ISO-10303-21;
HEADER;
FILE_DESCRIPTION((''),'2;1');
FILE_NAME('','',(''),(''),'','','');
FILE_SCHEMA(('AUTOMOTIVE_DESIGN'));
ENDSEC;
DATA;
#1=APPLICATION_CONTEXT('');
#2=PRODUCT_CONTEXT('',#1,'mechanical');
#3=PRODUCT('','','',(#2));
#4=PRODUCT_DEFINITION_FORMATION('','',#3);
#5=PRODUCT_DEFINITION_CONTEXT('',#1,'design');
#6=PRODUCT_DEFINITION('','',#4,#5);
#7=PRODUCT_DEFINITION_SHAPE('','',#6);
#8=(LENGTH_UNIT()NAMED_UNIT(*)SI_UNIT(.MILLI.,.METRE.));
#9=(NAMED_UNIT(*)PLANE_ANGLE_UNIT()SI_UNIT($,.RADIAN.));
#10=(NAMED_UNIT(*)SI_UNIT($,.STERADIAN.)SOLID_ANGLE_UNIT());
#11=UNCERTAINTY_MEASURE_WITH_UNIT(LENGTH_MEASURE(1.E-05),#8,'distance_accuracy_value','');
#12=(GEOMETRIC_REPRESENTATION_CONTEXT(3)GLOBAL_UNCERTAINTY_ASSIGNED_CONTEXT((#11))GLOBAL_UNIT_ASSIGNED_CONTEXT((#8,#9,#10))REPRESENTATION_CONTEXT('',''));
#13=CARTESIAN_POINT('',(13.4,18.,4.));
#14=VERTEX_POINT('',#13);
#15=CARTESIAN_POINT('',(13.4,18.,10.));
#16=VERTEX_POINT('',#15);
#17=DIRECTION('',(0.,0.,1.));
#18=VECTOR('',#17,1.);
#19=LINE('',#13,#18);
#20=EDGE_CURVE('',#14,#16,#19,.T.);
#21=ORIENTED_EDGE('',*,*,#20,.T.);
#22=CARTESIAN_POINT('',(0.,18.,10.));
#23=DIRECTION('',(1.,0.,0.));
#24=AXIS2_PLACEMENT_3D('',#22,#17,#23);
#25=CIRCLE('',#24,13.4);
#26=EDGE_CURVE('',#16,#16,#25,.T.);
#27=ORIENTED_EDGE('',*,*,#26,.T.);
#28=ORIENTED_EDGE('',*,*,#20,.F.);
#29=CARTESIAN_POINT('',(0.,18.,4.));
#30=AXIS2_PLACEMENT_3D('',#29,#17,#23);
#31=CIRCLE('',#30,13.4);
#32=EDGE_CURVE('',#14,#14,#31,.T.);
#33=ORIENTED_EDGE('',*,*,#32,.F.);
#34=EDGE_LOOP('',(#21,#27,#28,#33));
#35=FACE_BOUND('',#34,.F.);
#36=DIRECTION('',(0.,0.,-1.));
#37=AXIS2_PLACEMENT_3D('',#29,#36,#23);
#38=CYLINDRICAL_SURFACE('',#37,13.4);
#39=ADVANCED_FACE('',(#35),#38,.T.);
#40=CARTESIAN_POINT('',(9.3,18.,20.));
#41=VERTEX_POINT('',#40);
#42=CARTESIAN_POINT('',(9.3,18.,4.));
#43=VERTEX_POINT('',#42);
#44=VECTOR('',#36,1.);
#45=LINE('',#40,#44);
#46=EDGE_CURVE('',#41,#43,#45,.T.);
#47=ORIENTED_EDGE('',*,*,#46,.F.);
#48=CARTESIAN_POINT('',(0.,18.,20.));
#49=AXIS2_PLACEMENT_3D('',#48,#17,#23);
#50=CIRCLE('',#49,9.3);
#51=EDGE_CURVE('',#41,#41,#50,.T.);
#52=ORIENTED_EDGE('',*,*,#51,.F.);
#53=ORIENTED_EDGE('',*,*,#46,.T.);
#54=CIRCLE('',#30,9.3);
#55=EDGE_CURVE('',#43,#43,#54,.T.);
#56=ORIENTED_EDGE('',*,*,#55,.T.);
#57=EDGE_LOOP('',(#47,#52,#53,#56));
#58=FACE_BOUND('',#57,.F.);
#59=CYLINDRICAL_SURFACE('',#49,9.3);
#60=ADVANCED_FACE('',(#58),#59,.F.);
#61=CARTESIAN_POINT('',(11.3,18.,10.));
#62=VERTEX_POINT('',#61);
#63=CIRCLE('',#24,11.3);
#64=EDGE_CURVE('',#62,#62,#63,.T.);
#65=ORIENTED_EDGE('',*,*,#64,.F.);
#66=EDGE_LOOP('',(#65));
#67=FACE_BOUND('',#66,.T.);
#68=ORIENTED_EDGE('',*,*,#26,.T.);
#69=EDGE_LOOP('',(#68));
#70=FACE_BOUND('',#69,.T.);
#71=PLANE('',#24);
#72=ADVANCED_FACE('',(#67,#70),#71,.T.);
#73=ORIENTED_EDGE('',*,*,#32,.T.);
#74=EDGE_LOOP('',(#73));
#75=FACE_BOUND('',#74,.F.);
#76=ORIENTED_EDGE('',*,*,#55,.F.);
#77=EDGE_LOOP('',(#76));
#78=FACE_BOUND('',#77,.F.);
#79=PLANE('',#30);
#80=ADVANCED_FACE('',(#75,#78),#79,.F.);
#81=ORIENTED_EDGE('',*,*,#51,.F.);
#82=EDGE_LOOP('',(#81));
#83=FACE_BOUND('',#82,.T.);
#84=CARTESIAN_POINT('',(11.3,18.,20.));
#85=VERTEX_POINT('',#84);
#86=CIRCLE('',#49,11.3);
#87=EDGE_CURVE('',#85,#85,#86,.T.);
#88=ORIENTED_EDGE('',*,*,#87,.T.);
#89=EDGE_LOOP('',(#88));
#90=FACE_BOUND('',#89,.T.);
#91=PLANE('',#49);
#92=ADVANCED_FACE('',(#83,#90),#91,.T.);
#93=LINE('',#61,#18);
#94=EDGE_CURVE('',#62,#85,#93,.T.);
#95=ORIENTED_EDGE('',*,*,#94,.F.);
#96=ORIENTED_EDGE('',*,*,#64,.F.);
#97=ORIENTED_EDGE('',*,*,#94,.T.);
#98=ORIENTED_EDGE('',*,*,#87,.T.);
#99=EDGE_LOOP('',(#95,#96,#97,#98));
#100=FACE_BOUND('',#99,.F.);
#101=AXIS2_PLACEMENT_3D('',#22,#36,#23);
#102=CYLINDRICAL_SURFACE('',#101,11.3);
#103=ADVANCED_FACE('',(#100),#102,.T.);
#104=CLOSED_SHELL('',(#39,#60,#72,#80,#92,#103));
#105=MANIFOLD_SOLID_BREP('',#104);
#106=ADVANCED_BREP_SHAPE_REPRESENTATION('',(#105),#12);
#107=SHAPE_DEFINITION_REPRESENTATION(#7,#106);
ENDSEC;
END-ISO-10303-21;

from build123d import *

# Parameters (mm, degrees)
SKETCH029_R     = 13.4
PAD020_DEPTH    = 6
SKETCH030_R     = 11.3
PAD021_DEPTH    = 10
SKETCH031_R     = 9.3
POCKET008_DEPTH = 16.001


with BuildPart() as part:
    # Sketch029 → Pad020 (new body)
    with BuildSketch(Plane.XY):
        with Locations((0, 18)):
            Circle(SKETCH029_R)
    extrude(amount=PAD020_DEPTH)

    # Sketch030 (on Face3 of Pad020) → Pad021 (join)
    with BuildSketch(Plane.XY.offset(6)):
        with Locations((0, 18)):
            Circle(SKETCH030_R)
    extrude(amount=PAD021_DEPTH)

    # Sketch031 (on Face5 of Pad021) → Pocket008 (cut, through all)
    with BuildSketch(Plane.XY.offset(16)):
        with Locations((0, 18)):
            Circle(SKETCH031_R)
    extrude(amount=-POCKET008_DEPTH, mode=Mode.SUBTRACT)


with BuildPart() as part_1:
    # Body038 placement: moved
    add(part.part.moved(Location((0, 0, 4))))


solid = part_1.part
